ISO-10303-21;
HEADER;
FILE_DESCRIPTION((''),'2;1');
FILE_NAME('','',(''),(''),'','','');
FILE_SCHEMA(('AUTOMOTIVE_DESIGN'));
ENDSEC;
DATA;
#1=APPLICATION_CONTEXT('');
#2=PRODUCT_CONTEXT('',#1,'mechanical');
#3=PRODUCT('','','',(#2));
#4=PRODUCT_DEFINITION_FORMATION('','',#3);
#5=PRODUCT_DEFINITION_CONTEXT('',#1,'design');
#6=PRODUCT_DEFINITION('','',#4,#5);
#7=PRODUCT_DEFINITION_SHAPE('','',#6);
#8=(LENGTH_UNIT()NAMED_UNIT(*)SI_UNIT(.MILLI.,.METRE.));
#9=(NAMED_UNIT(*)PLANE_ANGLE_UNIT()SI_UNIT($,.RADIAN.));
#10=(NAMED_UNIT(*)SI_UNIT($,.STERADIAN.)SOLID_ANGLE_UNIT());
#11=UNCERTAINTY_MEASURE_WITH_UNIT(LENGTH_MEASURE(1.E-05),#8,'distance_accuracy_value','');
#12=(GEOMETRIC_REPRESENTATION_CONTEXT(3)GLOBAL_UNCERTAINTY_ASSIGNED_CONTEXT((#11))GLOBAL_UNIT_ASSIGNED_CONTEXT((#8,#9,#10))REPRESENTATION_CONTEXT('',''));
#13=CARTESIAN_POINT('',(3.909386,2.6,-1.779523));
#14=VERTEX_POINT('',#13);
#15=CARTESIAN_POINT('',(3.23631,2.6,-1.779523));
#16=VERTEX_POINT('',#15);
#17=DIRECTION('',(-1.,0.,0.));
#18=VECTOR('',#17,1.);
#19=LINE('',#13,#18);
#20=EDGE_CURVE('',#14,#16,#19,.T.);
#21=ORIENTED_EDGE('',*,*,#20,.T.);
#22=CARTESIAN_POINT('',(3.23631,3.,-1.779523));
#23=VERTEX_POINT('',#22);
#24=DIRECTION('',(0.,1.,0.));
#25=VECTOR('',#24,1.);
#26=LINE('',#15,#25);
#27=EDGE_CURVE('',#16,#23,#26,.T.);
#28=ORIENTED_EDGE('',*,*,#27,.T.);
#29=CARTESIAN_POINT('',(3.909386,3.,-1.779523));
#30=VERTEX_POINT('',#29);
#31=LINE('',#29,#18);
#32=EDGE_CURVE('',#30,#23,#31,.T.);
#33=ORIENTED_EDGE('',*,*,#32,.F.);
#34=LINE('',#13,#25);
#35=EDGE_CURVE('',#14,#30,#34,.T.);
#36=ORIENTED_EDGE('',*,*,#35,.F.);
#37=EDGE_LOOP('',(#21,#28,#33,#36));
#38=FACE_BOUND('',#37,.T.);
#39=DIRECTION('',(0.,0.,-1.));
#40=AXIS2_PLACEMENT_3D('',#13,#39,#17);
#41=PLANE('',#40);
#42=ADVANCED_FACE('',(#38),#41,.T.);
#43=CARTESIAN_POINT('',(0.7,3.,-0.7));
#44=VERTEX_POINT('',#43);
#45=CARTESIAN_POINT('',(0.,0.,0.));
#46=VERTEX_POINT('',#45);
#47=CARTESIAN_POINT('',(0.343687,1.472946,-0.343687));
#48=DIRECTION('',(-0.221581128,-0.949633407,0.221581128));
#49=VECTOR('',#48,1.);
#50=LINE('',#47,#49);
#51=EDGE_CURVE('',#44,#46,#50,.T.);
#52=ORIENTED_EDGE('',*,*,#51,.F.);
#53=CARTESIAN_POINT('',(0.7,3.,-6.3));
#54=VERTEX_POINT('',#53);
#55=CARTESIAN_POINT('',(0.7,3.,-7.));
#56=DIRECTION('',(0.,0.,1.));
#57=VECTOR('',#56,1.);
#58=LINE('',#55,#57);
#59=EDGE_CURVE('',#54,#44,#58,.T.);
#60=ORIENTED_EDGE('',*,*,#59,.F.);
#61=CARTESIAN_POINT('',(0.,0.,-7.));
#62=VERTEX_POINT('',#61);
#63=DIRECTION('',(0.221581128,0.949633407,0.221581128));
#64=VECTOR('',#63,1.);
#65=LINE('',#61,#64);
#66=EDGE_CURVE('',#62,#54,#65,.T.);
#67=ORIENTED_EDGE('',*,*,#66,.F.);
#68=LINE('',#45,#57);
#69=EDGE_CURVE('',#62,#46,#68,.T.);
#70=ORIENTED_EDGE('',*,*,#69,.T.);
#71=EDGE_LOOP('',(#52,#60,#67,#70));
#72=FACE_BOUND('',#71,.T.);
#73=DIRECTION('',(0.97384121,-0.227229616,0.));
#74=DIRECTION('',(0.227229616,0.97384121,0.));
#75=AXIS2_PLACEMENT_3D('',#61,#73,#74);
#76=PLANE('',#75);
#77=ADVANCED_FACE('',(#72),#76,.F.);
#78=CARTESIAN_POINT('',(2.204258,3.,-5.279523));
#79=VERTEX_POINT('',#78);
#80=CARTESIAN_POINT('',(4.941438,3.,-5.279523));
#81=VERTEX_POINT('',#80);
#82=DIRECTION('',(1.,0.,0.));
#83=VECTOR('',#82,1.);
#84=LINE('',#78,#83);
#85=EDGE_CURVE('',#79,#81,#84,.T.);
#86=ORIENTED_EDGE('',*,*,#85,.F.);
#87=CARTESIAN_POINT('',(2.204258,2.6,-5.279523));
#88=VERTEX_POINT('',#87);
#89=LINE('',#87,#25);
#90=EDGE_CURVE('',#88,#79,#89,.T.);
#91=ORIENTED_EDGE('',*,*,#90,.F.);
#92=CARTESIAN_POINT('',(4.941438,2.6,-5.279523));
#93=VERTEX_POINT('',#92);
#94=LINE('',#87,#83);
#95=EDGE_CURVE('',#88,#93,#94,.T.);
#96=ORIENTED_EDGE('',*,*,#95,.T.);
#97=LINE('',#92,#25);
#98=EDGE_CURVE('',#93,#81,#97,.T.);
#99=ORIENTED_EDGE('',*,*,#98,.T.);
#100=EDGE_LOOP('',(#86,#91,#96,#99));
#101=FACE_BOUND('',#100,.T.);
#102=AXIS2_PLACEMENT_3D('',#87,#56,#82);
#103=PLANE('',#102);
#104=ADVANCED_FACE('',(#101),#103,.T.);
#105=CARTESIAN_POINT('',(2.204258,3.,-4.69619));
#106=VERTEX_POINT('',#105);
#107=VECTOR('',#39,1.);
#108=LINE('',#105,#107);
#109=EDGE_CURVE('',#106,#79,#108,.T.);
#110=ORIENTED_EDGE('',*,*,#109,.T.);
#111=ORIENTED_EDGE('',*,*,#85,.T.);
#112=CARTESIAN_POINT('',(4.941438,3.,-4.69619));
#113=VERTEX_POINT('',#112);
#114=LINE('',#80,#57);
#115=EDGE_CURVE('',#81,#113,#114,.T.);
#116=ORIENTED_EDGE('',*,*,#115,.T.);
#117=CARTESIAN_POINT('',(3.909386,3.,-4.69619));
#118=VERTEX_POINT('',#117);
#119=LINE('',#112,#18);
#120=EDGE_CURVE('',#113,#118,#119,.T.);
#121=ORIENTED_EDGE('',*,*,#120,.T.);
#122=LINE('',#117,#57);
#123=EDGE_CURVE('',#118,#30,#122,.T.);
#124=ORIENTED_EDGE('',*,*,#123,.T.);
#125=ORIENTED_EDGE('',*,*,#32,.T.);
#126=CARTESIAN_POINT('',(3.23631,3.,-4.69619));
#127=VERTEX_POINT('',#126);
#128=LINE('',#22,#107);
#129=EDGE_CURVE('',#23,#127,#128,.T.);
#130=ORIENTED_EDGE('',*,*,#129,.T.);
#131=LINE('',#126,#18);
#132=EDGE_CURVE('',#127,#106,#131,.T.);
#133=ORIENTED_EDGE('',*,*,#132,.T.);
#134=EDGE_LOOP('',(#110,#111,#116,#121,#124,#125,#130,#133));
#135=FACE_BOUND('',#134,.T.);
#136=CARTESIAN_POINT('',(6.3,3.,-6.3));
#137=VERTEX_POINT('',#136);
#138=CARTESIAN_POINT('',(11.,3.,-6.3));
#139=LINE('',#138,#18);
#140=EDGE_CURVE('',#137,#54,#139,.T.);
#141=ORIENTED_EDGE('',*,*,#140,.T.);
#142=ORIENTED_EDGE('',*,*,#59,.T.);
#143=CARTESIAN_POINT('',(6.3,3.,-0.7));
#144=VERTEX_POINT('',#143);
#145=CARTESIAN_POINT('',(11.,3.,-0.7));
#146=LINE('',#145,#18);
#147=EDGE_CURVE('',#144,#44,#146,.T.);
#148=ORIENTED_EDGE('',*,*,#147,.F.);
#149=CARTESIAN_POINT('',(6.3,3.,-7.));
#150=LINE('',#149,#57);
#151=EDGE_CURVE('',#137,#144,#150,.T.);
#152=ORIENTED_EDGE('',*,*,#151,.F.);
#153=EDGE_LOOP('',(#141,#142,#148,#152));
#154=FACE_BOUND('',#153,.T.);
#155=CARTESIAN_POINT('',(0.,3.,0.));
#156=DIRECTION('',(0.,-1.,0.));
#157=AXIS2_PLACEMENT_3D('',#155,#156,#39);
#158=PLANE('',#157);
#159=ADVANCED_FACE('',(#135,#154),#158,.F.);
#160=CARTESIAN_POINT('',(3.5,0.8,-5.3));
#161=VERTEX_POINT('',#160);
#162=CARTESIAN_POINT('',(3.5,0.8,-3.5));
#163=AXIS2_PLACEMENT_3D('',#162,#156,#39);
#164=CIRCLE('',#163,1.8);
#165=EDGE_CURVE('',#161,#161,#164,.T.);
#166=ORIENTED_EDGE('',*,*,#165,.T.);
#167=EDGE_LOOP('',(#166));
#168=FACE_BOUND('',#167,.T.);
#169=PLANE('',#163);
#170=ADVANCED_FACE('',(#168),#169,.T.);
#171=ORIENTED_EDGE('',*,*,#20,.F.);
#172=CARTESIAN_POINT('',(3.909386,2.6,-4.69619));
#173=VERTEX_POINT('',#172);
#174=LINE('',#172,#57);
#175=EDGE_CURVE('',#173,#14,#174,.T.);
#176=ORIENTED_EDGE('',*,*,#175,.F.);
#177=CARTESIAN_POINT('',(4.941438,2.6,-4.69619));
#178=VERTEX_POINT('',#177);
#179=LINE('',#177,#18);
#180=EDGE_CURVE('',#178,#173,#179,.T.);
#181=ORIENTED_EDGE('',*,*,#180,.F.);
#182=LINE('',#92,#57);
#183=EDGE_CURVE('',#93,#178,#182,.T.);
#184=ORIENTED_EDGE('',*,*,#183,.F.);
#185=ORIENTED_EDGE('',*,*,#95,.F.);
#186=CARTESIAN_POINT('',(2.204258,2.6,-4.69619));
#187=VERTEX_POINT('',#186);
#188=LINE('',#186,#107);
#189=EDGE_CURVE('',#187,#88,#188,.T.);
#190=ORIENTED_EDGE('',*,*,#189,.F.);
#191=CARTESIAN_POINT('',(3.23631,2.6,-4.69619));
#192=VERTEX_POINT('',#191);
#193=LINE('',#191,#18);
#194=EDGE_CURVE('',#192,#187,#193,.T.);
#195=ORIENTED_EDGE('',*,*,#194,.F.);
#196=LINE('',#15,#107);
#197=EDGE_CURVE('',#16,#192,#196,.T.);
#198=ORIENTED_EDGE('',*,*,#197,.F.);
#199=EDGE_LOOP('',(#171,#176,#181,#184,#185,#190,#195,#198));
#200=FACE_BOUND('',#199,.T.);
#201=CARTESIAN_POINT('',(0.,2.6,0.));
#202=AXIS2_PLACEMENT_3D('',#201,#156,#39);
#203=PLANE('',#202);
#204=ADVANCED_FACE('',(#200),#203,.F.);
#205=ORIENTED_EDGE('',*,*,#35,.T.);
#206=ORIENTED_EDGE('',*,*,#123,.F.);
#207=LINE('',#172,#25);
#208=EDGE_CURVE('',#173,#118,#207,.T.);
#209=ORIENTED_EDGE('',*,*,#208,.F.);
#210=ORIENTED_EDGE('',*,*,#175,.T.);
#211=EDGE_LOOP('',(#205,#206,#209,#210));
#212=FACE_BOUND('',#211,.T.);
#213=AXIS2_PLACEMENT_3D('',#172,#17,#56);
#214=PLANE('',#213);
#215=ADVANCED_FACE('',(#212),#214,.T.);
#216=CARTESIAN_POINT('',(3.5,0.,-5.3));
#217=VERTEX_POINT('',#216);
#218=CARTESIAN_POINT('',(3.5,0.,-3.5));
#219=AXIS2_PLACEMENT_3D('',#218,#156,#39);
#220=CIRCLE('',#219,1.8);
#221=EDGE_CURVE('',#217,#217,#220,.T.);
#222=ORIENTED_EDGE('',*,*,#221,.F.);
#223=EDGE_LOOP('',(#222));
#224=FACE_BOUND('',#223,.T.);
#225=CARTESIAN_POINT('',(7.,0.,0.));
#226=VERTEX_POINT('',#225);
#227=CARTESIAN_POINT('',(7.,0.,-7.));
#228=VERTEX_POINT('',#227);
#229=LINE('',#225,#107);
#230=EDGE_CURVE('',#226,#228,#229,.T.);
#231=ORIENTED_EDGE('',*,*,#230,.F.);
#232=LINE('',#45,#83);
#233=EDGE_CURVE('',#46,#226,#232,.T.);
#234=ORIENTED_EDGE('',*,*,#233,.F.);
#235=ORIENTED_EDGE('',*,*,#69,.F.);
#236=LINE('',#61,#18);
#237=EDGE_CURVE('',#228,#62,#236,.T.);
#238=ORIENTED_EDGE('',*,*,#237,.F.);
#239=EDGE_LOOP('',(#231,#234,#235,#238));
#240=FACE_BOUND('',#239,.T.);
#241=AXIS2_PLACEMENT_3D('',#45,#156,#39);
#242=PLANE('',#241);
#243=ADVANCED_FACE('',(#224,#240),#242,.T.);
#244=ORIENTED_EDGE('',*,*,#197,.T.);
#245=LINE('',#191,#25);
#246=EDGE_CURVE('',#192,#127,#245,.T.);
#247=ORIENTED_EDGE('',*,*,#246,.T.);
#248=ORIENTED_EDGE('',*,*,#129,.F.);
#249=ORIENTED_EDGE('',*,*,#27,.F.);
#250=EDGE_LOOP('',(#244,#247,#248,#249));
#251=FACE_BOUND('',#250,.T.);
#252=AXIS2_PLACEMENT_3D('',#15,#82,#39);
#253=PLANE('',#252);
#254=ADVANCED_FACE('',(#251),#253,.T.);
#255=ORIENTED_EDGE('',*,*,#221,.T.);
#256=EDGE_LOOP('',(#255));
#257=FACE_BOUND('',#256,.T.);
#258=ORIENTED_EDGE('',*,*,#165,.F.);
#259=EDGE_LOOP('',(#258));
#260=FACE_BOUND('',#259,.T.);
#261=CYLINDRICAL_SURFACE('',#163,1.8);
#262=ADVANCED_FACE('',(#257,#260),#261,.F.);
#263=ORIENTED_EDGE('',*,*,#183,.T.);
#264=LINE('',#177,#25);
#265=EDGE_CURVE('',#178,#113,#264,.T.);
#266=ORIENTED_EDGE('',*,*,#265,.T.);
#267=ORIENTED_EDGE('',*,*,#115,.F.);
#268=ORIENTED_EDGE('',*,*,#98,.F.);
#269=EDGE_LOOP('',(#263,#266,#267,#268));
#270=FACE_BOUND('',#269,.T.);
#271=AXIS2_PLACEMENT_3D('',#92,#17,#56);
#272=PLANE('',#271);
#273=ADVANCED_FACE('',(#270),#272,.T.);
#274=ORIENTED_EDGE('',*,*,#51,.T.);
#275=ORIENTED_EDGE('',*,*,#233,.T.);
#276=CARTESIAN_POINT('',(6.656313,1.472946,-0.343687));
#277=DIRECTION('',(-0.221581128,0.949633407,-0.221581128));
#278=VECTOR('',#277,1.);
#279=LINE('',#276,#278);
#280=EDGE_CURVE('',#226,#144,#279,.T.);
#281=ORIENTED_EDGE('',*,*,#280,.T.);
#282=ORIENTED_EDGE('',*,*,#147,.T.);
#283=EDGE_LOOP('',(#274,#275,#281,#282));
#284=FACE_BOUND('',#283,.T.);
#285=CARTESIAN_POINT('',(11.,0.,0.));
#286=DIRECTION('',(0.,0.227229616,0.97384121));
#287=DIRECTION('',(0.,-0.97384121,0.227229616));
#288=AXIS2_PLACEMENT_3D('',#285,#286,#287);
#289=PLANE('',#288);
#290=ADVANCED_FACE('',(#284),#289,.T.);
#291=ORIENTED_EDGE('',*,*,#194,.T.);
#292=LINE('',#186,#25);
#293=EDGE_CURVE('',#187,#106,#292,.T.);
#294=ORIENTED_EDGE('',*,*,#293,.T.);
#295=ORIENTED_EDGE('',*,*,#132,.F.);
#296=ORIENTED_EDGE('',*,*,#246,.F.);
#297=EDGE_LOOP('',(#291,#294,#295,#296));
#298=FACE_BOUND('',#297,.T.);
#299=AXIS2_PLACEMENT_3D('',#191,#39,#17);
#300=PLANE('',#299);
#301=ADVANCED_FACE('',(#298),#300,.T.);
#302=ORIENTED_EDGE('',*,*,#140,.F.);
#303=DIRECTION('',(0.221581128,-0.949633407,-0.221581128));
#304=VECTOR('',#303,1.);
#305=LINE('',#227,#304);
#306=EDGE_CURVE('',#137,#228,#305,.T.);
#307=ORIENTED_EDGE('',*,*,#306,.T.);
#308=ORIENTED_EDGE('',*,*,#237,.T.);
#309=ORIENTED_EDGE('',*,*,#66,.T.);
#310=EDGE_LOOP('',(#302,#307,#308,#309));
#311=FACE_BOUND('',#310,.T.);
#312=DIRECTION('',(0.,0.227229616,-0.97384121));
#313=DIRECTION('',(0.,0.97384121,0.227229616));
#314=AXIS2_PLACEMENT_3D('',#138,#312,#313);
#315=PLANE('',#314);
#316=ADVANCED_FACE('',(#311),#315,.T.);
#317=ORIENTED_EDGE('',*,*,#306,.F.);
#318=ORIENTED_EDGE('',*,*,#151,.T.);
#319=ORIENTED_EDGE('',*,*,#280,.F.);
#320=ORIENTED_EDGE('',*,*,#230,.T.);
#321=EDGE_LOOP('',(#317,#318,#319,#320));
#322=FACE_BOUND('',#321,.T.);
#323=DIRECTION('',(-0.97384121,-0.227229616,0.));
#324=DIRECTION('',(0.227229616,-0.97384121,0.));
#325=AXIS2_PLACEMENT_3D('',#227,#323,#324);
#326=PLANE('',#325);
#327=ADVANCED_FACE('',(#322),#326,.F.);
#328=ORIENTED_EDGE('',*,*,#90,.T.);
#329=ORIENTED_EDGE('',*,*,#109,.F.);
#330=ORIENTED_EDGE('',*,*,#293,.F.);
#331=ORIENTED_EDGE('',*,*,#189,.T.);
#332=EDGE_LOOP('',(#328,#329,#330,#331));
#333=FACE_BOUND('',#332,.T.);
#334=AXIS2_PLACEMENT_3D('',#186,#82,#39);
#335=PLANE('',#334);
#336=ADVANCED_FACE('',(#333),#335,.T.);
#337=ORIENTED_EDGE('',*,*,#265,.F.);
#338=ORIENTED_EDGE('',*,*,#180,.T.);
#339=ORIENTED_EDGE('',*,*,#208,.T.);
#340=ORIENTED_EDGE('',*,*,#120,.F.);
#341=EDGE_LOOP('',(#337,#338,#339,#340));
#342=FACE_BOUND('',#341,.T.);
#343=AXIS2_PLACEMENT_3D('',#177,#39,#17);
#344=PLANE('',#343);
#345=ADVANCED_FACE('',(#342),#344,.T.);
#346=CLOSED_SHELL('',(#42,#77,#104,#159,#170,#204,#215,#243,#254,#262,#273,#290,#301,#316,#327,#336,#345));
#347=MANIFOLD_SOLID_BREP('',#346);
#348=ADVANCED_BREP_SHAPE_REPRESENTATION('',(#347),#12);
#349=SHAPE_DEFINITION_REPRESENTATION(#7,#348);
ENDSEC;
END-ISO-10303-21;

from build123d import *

# Parameters (mm, degrees)
SKETCH1_W           = 7
SKETCH1_H           = 7
BOSS_EXTRUDE1_DEPTH = 3
CUT_EXTRUDE1_DEPTH  = 7
CUT_EXTRUDE2_DEPTH  = 11
SKETCH4_R           = 1.8
CUT_EXTRUDE3_DEPTH  = 0.8
CUT_EXTRUDE4_DEPTH  = 0.4


with BuildPart() as part:
    # Sketch1 → Boss-Extrude1 (new body)
    with BuildSketch(Plane(origin=(0, 0, 0), x_dir=(1, 0, 0), z_dir=(0, 1, 0))):
        with Locations((3.5, 3.5)):
            Rectangle(SKETCH1_W, SKETCH1_H)
    extrude(amount=BOSS_EXTRUDE1_DEPTH)

    # Sketch2 → Cut-Extrude1 (cut)
    with BuildSketch(Plane.XY):
        Polygon((0, 0), (0.7, 3), (0, 3), align=None)
        Polygon((7, 0), (6.3, 3), (7, 3), align=None)
    extrude(amount=-CUT_EXTRUDE1_DEPTH, mode=Mode.SUBTRACT)

    # Sketch3 → Cut-Extrude2 (cut)
    with BuildSketch(Plane(origin=(0, 0, 0), x_dir=(0, 0, -1), z_dir=(1, 0, 0))):
        Polygon((0, 0), (0.7, 3), (0, 3), align=None)
        Polygon((7, 3), (6.3, 3), (7, 0), align=None)
    extrude(amount=CUT_EXTRUDE2_DEPTH, mode=Mode.SUBTRACT)

    # Sketch4 → Cut-Extrude3 (cut)
    with BuildSketch(Plane.XZ):
        with Locations(Location((3.5, -3.5, 0), (0, 0, 270))):
            Circle(SKETCH4_R)
    extrude(amount=-CUT_EXTRUDE3_DEPTH, mode=Mode.SUBTRACT)

    # Sketch5 → Cut-Extrude4 (cut)
    with BuildSketch(Plane(origin=(0, 3, 0), x_dir=(1, 0, 0), z_dir=(0, 1, 0))):
        Polygon((3.236309529, 1.779523254), (3.236309529, 4.696189921), (2.204258247, 4.696189921), (2.204258247, 5.279523254), (4.941437734, 5.279523254), (4.941437734, 4.696189921), (3.909386452, 4.696189921), (3.909386452, 1.779523254), align=None)
    extrude(amount=-CUT_EXTRUDE4_DEPTH, mode=Mode.SUBTRACT)


solid = part.part
